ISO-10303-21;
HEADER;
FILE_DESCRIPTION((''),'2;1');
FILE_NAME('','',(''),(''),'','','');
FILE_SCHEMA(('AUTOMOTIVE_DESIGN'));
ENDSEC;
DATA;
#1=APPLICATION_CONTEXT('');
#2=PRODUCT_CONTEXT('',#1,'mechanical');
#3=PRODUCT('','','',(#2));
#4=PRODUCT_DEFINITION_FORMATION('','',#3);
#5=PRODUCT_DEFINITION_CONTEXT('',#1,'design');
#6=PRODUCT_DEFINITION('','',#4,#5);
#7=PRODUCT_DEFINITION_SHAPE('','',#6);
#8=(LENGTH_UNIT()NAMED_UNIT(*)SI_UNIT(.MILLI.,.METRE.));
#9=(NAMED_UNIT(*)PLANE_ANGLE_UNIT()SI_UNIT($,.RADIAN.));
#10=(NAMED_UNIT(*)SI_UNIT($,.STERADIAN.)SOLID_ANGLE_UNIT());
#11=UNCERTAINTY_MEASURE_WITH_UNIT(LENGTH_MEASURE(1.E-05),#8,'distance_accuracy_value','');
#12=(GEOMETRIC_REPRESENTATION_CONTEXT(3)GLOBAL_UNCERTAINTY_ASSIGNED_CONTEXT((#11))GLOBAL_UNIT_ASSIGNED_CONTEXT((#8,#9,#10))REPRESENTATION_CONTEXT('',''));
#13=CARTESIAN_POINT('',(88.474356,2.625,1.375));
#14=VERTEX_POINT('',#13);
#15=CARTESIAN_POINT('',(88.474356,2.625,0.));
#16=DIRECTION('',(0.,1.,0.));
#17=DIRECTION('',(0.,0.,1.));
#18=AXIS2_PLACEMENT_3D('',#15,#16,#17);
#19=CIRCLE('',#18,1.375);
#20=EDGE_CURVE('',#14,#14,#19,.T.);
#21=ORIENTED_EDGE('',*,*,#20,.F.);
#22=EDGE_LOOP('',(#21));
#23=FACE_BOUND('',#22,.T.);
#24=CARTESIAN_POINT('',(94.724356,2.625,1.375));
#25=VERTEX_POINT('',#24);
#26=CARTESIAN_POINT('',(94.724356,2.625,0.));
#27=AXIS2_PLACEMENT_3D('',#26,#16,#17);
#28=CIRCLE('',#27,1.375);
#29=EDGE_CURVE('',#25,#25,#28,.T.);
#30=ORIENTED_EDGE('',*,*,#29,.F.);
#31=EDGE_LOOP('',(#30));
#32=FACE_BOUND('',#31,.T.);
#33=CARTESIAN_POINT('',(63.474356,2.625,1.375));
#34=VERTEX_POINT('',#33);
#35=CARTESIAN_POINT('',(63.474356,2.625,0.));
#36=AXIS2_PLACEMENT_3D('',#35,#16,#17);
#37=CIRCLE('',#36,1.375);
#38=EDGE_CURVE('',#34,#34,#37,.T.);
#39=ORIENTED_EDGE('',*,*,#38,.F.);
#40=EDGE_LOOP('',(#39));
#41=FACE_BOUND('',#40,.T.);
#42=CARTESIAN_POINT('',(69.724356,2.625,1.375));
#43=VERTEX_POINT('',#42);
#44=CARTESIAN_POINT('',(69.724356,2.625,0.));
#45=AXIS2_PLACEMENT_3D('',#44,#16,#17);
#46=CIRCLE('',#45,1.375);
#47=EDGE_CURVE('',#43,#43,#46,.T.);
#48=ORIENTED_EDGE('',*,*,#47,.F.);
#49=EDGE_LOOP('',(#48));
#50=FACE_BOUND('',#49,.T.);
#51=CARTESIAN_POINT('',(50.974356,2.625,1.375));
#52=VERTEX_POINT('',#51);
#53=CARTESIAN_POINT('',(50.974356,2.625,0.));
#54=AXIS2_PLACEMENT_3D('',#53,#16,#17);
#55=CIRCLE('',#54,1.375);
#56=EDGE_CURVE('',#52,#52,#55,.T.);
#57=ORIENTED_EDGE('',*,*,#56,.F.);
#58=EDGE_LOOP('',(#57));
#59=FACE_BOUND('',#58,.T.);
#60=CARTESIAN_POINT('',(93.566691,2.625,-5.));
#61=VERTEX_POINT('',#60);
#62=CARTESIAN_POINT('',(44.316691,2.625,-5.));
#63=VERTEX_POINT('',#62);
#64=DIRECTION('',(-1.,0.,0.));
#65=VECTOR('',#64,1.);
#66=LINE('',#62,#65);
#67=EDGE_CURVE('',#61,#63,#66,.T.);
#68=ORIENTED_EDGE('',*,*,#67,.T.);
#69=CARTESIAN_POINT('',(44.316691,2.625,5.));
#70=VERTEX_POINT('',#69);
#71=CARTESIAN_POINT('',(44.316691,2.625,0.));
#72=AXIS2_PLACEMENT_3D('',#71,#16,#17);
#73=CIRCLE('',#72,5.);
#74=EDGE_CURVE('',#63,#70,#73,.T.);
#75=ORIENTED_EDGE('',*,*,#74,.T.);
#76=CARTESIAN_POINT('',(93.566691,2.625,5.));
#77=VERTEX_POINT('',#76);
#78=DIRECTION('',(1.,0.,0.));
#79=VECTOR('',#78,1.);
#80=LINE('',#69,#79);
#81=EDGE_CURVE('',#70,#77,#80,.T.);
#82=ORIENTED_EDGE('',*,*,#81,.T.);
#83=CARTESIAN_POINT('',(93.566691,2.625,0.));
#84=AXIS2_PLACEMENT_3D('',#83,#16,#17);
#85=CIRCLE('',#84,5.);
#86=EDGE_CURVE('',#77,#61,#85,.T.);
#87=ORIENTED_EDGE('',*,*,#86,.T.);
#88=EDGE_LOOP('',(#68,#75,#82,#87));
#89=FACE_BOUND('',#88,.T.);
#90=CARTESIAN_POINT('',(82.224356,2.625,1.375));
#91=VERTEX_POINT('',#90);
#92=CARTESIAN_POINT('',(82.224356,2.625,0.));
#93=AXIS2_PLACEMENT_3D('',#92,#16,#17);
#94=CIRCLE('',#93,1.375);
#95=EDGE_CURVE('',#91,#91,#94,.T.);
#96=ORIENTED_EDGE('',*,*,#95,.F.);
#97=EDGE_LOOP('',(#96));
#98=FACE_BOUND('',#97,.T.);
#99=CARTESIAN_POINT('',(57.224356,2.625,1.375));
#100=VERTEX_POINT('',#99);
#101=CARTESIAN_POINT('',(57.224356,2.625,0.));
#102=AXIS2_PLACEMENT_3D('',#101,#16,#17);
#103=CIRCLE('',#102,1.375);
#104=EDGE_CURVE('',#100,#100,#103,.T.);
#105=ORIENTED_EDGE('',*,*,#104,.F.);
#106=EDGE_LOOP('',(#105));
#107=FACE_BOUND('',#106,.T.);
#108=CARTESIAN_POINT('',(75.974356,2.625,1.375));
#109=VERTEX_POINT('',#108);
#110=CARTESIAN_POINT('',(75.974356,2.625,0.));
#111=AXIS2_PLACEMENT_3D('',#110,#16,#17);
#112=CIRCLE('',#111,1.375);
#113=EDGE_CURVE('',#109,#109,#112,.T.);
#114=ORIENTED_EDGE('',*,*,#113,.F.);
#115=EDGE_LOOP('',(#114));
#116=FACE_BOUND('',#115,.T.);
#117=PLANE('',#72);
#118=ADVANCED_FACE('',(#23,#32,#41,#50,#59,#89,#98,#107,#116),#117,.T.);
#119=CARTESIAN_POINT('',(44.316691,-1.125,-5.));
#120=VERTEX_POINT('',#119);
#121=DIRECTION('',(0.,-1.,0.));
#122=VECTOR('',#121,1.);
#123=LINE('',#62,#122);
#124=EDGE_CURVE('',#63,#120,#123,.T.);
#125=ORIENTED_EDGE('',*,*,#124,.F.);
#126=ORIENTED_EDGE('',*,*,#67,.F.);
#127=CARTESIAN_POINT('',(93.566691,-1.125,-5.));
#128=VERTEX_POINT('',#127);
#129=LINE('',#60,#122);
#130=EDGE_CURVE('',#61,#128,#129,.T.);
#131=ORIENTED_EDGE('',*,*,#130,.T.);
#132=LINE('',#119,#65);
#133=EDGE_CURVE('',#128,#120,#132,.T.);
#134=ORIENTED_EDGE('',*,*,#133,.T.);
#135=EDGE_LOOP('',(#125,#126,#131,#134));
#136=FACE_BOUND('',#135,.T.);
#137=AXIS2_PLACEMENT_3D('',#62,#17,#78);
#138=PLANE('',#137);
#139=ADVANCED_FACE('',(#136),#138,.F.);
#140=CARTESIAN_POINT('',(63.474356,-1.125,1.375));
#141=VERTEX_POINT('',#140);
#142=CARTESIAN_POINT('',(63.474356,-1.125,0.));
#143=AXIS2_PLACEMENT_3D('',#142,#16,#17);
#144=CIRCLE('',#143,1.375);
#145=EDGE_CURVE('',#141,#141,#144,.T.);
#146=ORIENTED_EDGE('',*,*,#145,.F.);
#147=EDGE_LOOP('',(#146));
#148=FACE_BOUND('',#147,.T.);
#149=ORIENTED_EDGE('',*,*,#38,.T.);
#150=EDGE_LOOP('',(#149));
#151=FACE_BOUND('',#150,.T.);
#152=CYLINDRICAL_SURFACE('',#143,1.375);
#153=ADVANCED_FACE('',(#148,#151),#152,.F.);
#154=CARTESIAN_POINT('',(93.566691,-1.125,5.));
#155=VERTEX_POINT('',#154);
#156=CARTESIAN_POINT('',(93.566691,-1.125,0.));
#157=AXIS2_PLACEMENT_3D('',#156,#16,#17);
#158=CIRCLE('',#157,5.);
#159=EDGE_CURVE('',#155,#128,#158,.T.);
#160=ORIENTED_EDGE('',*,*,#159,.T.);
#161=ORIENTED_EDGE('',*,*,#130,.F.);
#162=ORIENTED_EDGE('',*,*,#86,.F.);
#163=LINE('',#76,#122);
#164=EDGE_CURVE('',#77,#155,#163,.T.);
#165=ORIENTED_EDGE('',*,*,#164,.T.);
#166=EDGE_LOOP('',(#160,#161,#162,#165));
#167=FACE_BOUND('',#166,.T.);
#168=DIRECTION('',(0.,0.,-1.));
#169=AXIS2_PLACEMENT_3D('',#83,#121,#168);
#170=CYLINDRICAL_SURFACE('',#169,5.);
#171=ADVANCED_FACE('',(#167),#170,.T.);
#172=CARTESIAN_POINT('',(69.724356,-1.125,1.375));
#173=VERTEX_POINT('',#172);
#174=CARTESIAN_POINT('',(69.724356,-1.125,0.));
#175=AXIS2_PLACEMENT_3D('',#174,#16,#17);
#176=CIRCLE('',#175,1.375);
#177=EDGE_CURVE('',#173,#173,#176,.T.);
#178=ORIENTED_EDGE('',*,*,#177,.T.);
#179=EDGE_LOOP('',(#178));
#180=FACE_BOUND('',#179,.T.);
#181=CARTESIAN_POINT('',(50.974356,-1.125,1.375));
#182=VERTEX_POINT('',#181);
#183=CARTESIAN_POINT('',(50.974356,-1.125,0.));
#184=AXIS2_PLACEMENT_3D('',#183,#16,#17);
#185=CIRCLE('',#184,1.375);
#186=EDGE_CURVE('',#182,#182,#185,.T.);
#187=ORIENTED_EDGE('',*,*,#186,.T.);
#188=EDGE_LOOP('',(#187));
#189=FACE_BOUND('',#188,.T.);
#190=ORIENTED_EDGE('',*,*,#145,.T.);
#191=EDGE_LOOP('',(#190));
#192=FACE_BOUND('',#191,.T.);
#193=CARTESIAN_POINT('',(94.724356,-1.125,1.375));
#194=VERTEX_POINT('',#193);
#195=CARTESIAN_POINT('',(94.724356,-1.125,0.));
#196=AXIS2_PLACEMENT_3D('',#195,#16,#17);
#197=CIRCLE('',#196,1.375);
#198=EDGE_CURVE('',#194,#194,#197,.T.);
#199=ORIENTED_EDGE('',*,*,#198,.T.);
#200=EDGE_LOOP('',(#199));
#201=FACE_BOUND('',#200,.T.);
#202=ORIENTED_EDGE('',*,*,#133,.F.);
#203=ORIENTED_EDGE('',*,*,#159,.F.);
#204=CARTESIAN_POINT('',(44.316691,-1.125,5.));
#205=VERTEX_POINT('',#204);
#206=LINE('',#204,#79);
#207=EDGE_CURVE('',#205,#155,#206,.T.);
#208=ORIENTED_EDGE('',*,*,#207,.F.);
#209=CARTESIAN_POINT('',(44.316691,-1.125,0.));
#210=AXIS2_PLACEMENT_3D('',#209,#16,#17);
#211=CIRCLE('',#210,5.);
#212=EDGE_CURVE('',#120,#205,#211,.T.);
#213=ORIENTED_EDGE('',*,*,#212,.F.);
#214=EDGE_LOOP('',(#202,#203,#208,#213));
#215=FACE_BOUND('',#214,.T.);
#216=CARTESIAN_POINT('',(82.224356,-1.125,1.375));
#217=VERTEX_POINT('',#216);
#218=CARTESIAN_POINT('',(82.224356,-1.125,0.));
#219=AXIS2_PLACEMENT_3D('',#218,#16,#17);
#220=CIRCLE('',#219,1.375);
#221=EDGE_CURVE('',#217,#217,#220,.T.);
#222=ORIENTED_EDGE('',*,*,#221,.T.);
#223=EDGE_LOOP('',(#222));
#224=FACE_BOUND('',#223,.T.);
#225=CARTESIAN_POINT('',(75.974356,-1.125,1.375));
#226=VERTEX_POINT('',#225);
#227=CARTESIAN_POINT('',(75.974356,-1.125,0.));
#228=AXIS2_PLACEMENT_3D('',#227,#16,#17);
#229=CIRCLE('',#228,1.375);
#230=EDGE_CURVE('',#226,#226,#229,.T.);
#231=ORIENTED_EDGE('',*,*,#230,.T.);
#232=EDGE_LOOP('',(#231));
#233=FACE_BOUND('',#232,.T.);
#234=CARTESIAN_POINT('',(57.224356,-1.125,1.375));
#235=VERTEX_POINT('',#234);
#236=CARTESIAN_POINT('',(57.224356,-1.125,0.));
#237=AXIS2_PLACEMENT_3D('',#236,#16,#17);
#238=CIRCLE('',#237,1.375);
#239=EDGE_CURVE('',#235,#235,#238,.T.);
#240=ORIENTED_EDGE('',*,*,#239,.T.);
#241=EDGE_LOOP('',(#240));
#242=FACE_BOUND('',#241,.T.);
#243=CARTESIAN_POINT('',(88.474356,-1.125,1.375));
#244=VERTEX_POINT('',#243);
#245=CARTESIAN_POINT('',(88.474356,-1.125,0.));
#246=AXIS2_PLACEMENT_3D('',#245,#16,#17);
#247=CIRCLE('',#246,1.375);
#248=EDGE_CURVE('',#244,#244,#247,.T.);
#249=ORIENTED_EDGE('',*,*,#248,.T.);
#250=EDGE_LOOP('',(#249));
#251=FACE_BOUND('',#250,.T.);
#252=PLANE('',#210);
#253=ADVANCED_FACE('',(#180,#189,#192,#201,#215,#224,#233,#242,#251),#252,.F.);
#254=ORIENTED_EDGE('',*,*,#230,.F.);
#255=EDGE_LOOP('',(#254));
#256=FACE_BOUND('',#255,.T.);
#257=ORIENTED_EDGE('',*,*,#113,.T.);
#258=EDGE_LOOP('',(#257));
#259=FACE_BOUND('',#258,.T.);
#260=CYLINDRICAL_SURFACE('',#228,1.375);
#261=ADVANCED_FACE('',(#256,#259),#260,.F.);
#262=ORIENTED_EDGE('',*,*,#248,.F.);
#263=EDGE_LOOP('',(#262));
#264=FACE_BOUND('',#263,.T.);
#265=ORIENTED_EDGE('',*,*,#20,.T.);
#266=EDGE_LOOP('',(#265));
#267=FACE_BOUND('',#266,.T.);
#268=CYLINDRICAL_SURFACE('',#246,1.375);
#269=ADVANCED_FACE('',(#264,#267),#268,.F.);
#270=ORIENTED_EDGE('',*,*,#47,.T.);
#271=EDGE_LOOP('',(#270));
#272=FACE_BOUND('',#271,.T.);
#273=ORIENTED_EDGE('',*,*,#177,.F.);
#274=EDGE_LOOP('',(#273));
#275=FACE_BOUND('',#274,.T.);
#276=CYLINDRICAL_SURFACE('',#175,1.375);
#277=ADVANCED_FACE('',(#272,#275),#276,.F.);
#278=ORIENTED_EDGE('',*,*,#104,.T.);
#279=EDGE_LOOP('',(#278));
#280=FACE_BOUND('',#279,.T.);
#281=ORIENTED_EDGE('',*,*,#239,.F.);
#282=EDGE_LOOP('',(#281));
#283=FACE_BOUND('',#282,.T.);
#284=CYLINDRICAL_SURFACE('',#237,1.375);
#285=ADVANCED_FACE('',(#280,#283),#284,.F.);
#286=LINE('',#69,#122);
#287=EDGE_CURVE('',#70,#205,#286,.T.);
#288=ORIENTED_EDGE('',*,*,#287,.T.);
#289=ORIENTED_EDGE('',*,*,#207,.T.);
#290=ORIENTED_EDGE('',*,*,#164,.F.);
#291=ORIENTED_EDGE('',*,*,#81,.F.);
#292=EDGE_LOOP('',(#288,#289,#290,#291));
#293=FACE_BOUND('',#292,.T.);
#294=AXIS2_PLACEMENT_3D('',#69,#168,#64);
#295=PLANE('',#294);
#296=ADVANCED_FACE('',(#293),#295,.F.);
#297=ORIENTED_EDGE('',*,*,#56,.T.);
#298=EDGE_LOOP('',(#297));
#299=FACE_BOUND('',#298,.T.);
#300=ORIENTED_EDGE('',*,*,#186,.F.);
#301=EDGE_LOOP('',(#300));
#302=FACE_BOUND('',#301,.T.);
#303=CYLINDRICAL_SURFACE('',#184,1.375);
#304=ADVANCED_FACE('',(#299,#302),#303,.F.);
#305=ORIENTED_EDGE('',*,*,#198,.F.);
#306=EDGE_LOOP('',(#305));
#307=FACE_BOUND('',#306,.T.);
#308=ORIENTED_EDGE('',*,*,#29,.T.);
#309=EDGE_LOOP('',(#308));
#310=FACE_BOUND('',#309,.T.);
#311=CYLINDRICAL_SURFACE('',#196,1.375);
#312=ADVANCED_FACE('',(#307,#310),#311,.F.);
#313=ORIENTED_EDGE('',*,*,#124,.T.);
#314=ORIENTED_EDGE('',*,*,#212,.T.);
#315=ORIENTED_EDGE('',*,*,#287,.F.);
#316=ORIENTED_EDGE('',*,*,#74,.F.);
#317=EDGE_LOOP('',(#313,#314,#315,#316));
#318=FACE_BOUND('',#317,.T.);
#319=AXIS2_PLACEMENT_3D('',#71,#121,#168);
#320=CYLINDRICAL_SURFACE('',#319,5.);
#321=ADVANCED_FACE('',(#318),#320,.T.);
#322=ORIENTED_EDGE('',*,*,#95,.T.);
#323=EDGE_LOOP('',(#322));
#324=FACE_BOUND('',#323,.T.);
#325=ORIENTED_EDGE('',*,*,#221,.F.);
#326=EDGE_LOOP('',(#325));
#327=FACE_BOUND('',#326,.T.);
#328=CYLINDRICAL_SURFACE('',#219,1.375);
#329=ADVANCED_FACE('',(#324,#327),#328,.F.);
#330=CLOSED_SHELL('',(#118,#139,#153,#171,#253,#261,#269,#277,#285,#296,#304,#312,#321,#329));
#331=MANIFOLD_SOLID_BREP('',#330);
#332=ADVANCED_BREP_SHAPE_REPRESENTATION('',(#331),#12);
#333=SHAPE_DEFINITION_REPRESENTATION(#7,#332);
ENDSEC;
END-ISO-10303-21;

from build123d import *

# Parameters (mm, degrees)
BOSS_EXTRUDE1_DEPTH = 1.5
SKETCH2_R           = 0.55
CUT_EXTRUDE1_DEPTH  = 1.5
SCALE1_SCALE        = 2.5


with BuildPart() as part:
    # Sketch1 → Boss-Extrude1 (new body)
    with BuildSketch(Plane(origin=(0, 0, 0), x_dir=(1, 0, 0), z_dir=(0, 1, 0))):
        with BuildLine():
            Line((58.878887557, 2), (78.578887557, 2))
            ThreePointArc((78.578887557, 2), (80.578887557, 0), (78.578887557, -2))
            Line((78.578887557, -2), (58.878887557, -2))
            ThreePointArc((58.878887557, -2), (56.878887557, 0), (58.878887557, 2))
        make_face()
    extrude(amount=BOSS_EXTRUDE1_DEPTH)

    # Sketch2 → Cut-Extrude1 (cut)
    with BuildSketch(Plane(origin=(0, 1.5, 0), x_dir=(1, 0, 0), z_dir=(0, 1, 0))):
        with Locations(Location((79.041953668, 0, 0), (0, 0, 270))):
            Circle(SKETCH2_R)
        with Locations(Location((76.541953668, 0, 0), (0, 0, 270))):
            Circle(SKETCH2_R)
        with Locations(Location((74.041953668, 0, 0), (0, 0, 270))):
            Circle(SKETCH2_R)
        with Locations(Location((71.541953668, 0, 0), (0, 0, 270))):
            Circle(SKETCH2_R)
        with Locations(Location((69.041953668, 0, 0), (0, 0, 270))):
            Circle(SKETCH2_R)
        with Locations(Location((66.541953668, 0, 0), (0, 0, 270))):
            Circle(SKETCH2_R)
        with Locations(Location((64.041953668, 0, 0), (0, 0, 270))):
            Circle(SKETCH2_R)
        with Locations(Location((61.541953668, 0, 0), (0, 0, 270))):
            Circle(SKETCH2_R)
    extrude(amount=-CUT_EXTRUDE1_DEPTH, mode=Mode.SUBTRACT)


with BuildPart() as part_1:
    # Scale1: scaled about (68.587018838, 0.75, 0)
    add(part.part.scale(SCALE1_SCALE).moved(Location((-102.880528257, -1.125, 0))))


solid = part_1.part
